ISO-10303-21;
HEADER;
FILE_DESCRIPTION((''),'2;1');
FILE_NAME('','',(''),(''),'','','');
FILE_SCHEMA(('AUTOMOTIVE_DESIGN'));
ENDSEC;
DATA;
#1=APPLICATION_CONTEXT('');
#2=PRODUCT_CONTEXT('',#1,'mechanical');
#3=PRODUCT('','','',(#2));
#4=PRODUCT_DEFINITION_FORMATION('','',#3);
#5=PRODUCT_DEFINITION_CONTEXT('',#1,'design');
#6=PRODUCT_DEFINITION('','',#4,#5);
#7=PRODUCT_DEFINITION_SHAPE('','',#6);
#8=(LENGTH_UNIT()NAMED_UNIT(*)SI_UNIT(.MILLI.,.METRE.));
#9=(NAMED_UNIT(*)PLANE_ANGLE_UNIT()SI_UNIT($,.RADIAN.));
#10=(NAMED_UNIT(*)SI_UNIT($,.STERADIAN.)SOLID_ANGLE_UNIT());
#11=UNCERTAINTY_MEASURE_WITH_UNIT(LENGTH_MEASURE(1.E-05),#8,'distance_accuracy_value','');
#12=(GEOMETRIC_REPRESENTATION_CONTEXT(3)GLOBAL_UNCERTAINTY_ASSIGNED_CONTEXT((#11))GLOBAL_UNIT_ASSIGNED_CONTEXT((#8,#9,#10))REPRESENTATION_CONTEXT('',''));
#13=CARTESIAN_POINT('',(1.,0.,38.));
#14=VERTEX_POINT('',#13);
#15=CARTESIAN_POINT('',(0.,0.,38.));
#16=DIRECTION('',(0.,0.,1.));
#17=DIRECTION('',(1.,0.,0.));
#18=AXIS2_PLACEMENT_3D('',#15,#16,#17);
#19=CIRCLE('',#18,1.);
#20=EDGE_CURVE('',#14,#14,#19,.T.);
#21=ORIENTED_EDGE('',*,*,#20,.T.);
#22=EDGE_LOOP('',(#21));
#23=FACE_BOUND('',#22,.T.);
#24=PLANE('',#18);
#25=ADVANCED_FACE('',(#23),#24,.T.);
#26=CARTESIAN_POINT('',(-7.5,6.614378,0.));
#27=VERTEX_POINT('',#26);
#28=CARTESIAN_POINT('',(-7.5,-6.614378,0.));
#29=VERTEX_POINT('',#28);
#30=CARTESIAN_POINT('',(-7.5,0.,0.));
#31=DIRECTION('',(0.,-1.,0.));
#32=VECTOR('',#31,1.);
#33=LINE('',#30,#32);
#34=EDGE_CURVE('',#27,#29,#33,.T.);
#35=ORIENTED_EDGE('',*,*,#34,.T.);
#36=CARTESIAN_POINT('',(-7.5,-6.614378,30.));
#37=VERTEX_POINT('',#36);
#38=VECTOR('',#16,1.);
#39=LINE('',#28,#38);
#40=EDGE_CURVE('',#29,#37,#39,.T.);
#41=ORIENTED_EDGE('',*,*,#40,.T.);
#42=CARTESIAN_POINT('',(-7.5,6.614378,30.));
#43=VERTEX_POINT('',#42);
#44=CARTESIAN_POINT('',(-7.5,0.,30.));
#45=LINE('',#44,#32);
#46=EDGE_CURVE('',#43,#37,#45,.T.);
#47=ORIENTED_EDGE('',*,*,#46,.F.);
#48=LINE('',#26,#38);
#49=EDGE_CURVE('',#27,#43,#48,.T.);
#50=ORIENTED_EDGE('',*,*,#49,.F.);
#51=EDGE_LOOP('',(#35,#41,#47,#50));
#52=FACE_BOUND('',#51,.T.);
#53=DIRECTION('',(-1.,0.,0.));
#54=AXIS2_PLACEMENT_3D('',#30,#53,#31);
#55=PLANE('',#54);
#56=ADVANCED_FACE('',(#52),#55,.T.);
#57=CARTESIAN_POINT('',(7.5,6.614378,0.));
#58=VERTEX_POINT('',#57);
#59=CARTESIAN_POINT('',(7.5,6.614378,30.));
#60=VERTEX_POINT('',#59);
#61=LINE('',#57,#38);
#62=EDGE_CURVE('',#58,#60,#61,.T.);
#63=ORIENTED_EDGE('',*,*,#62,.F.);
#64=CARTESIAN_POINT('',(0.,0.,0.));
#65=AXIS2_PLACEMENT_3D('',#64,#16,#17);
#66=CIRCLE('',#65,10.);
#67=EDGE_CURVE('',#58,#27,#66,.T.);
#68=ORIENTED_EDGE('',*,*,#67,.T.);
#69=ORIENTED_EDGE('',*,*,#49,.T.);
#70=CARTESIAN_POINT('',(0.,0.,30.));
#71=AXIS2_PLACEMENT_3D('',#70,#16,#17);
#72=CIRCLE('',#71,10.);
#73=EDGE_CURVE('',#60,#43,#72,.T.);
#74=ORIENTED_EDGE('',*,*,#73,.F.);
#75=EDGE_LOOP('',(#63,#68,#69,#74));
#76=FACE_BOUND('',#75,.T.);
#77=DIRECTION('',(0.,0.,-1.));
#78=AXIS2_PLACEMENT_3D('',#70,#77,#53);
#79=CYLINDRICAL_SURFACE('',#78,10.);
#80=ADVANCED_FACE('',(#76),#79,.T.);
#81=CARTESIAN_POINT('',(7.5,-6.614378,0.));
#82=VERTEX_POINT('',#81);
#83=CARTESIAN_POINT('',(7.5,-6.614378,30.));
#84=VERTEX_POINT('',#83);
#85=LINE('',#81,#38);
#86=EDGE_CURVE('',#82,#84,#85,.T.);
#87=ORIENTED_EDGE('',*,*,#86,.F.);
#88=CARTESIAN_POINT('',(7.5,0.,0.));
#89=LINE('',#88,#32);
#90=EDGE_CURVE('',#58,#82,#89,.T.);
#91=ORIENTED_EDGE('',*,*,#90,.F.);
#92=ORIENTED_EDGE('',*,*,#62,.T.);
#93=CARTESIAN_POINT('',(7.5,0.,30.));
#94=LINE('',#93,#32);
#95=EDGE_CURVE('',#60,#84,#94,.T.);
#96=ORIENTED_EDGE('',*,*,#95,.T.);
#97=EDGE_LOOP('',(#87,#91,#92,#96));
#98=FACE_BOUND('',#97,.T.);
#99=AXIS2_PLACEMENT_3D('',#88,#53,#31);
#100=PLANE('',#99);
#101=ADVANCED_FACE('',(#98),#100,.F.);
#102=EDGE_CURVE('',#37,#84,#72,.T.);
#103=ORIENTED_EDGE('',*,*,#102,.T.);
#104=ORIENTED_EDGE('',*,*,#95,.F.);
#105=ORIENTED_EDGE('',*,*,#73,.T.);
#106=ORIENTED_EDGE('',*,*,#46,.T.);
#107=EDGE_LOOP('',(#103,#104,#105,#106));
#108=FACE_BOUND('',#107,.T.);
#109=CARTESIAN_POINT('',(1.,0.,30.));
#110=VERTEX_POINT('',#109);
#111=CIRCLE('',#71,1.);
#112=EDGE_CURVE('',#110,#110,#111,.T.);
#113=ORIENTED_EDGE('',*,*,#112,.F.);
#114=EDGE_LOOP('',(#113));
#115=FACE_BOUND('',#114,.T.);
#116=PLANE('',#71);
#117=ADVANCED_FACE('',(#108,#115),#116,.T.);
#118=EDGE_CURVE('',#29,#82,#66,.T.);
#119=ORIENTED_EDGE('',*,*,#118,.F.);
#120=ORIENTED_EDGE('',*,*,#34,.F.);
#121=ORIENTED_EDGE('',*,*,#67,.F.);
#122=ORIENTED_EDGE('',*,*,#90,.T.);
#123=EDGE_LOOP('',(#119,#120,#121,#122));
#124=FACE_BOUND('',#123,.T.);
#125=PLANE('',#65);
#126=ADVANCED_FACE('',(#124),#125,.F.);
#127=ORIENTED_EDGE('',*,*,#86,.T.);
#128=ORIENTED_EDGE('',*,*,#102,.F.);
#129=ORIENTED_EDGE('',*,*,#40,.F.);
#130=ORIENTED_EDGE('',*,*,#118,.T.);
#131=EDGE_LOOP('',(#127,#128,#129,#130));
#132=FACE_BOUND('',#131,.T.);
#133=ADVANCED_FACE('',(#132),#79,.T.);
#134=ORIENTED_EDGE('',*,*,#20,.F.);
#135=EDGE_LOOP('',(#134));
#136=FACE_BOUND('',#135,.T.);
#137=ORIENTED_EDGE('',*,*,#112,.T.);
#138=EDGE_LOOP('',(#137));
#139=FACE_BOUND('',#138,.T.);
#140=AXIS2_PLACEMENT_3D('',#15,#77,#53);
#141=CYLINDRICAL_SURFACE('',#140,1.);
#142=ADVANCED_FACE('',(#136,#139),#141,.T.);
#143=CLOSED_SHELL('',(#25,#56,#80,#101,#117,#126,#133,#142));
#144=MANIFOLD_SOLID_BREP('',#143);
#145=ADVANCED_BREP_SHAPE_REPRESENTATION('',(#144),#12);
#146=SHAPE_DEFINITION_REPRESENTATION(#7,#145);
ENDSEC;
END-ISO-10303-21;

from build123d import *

# Parameters (mm, degrees)
SKETCH_1_R          = 10
EXTRUDE_1_DEPTH     = 30
CUT_EXTRUDE_1_DEPTH = 30
SKETCH_3_R          = 1
EXTRUDE_2_DEPTH     = 8


with BuildPart() as part:
    # 草图1 → 凸台-拉伸1 (new body)
    with BuildSketch(Plane.XY):
        Circle(SKETCH_1_R)
    extrude(amount=EXTRUDE_1_DEPTH)

    # 草图2 → 切除-拉伸1 (cut)
    with BuildSketch(Plane.XY.offset(30)):
        with BuildLine():
            ThreePointArc((10, 0), (9.354143467, 3.535533906), (7.5, 6.614378278))
            Line((7.5, 6.614378278), (7.5, -6.614378278))
            ThreePointArc((7.5, -6.614378278), (9.354143467, -3.535533906), (10, 0))
        make_face()
        with BuildLine():
            Line((-7.5, -6.614378278), (-7.5, 6.614378278))
            ThreePointArc((-7.5, 6.614378278), (-10, 0), (-7.5, -6.614378278))
        make_face()
    extrude(amount=-CUT_EXTRUDE_1_DEPTH, mode=Mode.SUBTRACT)

    # 草图3 → 凸台-拉伸2 (add)
    with BuildSketch(Plane.XY.offset(30)):
        Circle(SKETCH_3_R)
    extrude(amount=EXTRUDE_2_DEPTH)


solid = part.part
